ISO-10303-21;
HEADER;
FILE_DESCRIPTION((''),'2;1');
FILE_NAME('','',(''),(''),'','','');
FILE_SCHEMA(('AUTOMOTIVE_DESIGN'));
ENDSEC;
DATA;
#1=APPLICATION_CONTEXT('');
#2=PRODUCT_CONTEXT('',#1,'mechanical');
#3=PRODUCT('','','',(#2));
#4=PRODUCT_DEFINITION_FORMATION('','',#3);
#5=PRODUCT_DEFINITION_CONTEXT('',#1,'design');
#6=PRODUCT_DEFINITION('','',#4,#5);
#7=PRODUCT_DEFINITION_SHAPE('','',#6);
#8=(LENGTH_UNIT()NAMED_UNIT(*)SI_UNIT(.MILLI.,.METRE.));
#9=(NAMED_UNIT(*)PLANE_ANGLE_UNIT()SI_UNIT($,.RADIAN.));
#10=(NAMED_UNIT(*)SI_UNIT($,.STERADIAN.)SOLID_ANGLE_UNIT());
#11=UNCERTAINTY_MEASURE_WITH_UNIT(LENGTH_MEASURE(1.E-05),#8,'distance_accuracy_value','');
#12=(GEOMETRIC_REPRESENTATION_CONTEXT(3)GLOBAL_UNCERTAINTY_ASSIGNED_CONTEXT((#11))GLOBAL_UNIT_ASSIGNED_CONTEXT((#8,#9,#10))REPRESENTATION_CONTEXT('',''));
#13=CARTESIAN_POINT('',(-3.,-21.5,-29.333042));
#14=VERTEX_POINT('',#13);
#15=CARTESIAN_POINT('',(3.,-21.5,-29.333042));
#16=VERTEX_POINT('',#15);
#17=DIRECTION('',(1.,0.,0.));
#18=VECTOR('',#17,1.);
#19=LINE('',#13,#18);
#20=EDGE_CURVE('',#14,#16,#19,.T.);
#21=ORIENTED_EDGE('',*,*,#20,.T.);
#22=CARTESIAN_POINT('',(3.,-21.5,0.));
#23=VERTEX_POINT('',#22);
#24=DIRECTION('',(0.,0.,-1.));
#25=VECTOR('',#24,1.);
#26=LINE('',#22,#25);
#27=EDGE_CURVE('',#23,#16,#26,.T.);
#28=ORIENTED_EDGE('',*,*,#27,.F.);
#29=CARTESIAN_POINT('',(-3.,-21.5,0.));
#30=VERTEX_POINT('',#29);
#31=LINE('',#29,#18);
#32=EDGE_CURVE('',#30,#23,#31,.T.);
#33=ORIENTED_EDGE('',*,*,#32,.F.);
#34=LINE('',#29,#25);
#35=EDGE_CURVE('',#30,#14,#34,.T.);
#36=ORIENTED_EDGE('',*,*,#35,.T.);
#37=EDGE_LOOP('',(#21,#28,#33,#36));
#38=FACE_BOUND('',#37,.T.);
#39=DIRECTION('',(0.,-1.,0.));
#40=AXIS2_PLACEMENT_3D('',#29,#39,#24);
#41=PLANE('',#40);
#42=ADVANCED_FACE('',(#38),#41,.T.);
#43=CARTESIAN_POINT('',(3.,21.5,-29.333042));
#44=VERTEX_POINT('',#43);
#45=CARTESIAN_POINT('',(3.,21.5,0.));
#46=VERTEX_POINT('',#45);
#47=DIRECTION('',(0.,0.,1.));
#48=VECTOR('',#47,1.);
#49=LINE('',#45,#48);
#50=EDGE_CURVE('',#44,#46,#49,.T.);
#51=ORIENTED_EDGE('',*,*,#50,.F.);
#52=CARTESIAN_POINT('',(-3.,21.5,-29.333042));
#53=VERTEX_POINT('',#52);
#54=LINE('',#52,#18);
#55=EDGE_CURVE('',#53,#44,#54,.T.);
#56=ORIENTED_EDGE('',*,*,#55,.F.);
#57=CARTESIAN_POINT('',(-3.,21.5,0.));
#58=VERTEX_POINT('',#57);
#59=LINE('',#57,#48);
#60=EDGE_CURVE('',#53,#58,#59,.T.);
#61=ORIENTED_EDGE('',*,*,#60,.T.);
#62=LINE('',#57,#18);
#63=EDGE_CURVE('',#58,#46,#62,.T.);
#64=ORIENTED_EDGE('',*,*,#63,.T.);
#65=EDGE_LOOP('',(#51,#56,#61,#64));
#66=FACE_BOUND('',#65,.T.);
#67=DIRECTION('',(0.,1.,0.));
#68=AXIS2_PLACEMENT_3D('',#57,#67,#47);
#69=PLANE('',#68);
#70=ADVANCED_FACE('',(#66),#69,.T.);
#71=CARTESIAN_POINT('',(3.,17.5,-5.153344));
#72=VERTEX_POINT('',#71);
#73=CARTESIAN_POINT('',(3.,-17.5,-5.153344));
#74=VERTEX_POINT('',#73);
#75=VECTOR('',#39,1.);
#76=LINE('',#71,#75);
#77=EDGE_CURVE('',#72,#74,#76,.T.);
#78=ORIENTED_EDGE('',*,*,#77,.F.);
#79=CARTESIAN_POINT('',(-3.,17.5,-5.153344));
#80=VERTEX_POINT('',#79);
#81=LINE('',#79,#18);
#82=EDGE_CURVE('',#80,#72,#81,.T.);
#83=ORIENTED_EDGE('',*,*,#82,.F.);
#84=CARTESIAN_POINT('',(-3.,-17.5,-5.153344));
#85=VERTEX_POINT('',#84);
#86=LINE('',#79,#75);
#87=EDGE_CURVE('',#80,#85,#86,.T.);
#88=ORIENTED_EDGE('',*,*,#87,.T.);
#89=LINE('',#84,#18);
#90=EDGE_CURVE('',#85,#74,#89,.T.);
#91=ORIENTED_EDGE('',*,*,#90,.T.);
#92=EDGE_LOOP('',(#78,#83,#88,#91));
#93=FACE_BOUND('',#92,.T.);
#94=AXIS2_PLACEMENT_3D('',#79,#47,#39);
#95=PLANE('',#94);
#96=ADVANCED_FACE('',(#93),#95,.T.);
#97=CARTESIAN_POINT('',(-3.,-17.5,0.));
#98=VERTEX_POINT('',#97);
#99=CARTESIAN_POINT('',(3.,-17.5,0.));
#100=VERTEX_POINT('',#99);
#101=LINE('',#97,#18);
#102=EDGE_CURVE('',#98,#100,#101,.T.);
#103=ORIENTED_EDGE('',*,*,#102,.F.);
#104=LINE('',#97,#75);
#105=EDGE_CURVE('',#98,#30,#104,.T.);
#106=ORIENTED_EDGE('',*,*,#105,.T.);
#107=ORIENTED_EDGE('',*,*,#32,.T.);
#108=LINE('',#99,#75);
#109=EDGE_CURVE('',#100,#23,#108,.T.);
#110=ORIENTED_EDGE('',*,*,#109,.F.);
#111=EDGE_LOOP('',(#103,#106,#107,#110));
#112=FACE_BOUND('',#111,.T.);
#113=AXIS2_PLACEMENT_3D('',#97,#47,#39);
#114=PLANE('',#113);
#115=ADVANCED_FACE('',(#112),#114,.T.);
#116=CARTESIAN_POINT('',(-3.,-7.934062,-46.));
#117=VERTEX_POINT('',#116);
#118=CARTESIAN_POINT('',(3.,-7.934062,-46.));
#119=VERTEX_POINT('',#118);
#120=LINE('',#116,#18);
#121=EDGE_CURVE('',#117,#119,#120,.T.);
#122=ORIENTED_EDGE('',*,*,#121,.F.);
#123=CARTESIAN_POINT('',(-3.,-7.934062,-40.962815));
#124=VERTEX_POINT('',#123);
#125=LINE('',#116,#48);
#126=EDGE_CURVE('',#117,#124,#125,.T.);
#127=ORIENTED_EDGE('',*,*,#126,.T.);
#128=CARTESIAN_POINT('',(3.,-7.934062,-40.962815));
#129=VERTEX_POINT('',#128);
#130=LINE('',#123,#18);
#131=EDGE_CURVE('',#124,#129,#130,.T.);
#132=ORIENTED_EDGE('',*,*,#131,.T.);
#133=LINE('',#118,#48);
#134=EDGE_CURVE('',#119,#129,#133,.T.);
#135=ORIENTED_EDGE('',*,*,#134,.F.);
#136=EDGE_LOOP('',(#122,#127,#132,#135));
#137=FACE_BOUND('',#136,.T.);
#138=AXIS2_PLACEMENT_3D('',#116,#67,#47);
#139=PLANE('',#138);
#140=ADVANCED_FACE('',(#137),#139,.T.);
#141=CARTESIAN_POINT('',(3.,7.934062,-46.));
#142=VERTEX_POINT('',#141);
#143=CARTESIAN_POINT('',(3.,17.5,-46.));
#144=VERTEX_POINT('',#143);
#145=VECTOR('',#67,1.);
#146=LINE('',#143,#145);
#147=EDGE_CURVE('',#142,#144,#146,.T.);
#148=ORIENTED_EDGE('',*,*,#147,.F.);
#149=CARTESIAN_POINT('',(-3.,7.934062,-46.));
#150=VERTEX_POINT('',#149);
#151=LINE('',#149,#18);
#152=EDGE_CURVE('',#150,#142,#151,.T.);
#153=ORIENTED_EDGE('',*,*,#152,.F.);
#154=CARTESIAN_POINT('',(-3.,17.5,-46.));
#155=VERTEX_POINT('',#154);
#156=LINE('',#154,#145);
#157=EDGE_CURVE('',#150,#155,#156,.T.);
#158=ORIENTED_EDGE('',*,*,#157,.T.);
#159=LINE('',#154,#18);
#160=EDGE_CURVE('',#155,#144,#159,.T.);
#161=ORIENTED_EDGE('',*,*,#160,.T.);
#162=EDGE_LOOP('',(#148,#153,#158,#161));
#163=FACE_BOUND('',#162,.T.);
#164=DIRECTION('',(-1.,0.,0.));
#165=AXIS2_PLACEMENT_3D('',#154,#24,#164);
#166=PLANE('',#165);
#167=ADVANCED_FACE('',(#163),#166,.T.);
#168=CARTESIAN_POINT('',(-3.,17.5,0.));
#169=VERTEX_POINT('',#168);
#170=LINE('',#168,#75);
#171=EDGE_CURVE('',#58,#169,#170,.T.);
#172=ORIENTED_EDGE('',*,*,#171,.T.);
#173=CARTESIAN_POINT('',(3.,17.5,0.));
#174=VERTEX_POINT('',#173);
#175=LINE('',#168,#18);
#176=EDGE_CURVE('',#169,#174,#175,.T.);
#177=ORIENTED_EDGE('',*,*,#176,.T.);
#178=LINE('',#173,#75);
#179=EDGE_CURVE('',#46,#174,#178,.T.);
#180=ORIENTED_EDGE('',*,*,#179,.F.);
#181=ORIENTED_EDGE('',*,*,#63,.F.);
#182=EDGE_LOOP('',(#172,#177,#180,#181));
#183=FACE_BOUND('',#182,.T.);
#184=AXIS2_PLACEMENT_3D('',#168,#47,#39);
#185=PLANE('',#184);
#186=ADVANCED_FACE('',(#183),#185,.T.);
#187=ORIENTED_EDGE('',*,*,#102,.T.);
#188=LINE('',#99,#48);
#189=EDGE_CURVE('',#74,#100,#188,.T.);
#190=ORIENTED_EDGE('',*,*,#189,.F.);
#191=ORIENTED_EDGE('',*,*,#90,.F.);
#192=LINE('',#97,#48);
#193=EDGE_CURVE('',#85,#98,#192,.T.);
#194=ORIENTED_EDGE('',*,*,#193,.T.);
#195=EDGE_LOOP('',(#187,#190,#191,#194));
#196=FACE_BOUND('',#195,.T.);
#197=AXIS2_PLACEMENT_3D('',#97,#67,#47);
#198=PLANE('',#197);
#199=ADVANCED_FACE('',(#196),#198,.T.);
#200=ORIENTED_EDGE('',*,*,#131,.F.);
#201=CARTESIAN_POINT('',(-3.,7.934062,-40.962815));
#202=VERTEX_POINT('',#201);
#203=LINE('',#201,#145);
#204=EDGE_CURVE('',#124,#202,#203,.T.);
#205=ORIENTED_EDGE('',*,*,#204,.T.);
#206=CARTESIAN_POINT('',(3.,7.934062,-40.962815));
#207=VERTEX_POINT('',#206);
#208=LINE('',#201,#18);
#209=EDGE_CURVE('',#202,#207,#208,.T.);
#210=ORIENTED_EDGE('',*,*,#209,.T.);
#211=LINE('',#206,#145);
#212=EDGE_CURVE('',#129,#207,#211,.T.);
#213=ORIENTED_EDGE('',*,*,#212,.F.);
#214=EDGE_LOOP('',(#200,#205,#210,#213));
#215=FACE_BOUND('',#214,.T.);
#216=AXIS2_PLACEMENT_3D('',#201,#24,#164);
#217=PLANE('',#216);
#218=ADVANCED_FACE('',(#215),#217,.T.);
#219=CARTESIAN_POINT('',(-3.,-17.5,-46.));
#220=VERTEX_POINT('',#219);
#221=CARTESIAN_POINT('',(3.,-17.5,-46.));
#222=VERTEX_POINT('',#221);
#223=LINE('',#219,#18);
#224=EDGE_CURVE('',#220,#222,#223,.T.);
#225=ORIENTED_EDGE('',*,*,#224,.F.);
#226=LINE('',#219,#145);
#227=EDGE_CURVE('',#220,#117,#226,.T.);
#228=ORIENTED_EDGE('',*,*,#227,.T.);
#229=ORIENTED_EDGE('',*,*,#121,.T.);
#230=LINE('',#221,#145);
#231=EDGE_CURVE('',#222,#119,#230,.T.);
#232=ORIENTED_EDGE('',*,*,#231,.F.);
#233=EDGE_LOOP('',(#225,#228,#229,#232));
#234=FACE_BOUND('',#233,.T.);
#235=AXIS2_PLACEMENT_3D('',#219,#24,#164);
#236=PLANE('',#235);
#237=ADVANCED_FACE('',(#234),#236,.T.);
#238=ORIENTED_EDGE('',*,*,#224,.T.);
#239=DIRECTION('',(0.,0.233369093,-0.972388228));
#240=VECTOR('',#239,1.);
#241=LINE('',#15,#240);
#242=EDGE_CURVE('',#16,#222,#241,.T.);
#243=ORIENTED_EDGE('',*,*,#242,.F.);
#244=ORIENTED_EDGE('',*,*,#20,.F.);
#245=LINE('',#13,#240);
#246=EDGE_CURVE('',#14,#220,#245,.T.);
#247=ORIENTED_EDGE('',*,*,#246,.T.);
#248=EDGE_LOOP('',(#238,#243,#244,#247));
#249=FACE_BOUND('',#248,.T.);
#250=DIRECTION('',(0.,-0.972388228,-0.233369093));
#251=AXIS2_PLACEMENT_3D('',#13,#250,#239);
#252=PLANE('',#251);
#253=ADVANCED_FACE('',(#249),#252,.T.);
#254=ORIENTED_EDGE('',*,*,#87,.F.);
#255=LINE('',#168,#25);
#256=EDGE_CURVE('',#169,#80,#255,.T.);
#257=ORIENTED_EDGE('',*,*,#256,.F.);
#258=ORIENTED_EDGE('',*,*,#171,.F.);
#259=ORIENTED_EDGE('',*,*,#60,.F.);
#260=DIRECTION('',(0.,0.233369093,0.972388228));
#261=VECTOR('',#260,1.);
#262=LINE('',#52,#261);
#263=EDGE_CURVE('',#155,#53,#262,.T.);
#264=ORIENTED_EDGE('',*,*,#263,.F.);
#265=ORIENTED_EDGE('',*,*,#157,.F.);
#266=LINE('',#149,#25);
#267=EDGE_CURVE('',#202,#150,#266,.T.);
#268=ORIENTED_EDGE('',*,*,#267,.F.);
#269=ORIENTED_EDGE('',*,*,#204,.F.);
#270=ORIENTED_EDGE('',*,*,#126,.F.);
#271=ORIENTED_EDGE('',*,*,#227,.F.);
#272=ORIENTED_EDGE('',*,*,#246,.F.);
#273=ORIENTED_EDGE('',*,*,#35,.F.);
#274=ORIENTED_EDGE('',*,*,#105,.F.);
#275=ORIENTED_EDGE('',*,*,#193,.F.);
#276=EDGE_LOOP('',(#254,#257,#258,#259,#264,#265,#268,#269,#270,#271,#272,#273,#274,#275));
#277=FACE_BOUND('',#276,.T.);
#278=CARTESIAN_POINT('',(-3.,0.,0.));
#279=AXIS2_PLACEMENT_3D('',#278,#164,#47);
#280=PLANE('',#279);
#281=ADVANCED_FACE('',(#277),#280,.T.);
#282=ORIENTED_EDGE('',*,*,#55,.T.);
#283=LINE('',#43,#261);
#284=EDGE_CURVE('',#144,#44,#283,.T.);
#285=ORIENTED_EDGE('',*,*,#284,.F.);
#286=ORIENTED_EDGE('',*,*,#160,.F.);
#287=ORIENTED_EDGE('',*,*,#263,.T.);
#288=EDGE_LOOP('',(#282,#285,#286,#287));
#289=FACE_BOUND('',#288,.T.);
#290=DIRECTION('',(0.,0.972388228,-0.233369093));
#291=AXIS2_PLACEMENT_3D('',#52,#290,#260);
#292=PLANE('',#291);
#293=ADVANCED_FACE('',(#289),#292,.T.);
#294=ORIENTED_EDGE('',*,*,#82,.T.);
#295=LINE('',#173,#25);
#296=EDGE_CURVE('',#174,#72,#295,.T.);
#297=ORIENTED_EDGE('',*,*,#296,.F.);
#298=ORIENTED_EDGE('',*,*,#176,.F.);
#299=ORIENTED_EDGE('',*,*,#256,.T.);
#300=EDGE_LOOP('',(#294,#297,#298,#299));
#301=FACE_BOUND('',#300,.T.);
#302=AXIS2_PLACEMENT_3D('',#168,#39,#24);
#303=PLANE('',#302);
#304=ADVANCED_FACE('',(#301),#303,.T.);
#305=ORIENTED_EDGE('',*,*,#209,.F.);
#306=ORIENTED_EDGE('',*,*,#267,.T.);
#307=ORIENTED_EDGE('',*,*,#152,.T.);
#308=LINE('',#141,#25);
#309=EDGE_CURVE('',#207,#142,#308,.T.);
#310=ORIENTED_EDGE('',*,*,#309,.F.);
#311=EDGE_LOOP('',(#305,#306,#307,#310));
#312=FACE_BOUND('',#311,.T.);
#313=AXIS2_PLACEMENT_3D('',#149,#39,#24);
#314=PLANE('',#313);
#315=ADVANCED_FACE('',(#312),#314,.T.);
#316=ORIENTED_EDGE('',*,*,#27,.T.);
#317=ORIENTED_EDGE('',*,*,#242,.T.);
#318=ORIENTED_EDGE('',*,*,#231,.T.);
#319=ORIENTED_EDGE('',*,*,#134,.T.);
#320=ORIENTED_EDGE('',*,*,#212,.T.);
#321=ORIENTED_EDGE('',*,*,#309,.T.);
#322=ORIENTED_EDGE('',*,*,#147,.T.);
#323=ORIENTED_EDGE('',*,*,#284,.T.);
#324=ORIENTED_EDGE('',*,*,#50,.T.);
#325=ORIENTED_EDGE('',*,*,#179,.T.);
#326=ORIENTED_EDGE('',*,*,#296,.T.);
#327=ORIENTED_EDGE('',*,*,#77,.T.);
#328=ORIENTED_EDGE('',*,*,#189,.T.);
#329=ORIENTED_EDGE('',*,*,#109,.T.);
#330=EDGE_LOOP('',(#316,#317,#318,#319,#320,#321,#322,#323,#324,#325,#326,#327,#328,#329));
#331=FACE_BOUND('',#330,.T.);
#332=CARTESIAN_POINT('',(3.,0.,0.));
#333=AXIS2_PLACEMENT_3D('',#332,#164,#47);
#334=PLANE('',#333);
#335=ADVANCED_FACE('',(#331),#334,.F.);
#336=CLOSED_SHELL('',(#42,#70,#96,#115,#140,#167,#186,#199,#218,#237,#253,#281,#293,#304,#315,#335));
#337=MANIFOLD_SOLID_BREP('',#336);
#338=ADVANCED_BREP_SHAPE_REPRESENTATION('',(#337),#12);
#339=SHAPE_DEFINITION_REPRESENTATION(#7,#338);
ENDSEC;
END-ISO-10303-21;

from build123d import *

# Parameters (mm, degrees)
EXTRUDE_1_DEPTH      = 3
EXTRUDE_1_DEPTH_BACK = 3


with BuildPart() as part:
    # 草图1 → 凸台-拉伸1 (new, two sides: drawn at the far end of the back side and taken through both)
    with BuildSketch(Plane(origin=(0, 0, 0), x_dir=(0, 0, -1), z_dir=(1, 0, 0)).offset(-EXTRUDE_1_DEPTH_BACK)):
        Polygon((0, 17.5), (0, 21.5), (29.3330418, 21.5), (46, 17.5), (46, 7.934061775), (40.962815164, 7.934061775), (40.962815164, -7.934061775), (46, -7.934061775), (46, -17.5), (29.3330418, -21.5), (0, -21.5), (0, -17.5), (5.153343524, -17.5), (5.153343524, 17.5), align=None)
    extrude(amount=EXTRUDE_1_DEPTH + EXTRUDE_1_DEPTH_BACK)


solid = part.part
